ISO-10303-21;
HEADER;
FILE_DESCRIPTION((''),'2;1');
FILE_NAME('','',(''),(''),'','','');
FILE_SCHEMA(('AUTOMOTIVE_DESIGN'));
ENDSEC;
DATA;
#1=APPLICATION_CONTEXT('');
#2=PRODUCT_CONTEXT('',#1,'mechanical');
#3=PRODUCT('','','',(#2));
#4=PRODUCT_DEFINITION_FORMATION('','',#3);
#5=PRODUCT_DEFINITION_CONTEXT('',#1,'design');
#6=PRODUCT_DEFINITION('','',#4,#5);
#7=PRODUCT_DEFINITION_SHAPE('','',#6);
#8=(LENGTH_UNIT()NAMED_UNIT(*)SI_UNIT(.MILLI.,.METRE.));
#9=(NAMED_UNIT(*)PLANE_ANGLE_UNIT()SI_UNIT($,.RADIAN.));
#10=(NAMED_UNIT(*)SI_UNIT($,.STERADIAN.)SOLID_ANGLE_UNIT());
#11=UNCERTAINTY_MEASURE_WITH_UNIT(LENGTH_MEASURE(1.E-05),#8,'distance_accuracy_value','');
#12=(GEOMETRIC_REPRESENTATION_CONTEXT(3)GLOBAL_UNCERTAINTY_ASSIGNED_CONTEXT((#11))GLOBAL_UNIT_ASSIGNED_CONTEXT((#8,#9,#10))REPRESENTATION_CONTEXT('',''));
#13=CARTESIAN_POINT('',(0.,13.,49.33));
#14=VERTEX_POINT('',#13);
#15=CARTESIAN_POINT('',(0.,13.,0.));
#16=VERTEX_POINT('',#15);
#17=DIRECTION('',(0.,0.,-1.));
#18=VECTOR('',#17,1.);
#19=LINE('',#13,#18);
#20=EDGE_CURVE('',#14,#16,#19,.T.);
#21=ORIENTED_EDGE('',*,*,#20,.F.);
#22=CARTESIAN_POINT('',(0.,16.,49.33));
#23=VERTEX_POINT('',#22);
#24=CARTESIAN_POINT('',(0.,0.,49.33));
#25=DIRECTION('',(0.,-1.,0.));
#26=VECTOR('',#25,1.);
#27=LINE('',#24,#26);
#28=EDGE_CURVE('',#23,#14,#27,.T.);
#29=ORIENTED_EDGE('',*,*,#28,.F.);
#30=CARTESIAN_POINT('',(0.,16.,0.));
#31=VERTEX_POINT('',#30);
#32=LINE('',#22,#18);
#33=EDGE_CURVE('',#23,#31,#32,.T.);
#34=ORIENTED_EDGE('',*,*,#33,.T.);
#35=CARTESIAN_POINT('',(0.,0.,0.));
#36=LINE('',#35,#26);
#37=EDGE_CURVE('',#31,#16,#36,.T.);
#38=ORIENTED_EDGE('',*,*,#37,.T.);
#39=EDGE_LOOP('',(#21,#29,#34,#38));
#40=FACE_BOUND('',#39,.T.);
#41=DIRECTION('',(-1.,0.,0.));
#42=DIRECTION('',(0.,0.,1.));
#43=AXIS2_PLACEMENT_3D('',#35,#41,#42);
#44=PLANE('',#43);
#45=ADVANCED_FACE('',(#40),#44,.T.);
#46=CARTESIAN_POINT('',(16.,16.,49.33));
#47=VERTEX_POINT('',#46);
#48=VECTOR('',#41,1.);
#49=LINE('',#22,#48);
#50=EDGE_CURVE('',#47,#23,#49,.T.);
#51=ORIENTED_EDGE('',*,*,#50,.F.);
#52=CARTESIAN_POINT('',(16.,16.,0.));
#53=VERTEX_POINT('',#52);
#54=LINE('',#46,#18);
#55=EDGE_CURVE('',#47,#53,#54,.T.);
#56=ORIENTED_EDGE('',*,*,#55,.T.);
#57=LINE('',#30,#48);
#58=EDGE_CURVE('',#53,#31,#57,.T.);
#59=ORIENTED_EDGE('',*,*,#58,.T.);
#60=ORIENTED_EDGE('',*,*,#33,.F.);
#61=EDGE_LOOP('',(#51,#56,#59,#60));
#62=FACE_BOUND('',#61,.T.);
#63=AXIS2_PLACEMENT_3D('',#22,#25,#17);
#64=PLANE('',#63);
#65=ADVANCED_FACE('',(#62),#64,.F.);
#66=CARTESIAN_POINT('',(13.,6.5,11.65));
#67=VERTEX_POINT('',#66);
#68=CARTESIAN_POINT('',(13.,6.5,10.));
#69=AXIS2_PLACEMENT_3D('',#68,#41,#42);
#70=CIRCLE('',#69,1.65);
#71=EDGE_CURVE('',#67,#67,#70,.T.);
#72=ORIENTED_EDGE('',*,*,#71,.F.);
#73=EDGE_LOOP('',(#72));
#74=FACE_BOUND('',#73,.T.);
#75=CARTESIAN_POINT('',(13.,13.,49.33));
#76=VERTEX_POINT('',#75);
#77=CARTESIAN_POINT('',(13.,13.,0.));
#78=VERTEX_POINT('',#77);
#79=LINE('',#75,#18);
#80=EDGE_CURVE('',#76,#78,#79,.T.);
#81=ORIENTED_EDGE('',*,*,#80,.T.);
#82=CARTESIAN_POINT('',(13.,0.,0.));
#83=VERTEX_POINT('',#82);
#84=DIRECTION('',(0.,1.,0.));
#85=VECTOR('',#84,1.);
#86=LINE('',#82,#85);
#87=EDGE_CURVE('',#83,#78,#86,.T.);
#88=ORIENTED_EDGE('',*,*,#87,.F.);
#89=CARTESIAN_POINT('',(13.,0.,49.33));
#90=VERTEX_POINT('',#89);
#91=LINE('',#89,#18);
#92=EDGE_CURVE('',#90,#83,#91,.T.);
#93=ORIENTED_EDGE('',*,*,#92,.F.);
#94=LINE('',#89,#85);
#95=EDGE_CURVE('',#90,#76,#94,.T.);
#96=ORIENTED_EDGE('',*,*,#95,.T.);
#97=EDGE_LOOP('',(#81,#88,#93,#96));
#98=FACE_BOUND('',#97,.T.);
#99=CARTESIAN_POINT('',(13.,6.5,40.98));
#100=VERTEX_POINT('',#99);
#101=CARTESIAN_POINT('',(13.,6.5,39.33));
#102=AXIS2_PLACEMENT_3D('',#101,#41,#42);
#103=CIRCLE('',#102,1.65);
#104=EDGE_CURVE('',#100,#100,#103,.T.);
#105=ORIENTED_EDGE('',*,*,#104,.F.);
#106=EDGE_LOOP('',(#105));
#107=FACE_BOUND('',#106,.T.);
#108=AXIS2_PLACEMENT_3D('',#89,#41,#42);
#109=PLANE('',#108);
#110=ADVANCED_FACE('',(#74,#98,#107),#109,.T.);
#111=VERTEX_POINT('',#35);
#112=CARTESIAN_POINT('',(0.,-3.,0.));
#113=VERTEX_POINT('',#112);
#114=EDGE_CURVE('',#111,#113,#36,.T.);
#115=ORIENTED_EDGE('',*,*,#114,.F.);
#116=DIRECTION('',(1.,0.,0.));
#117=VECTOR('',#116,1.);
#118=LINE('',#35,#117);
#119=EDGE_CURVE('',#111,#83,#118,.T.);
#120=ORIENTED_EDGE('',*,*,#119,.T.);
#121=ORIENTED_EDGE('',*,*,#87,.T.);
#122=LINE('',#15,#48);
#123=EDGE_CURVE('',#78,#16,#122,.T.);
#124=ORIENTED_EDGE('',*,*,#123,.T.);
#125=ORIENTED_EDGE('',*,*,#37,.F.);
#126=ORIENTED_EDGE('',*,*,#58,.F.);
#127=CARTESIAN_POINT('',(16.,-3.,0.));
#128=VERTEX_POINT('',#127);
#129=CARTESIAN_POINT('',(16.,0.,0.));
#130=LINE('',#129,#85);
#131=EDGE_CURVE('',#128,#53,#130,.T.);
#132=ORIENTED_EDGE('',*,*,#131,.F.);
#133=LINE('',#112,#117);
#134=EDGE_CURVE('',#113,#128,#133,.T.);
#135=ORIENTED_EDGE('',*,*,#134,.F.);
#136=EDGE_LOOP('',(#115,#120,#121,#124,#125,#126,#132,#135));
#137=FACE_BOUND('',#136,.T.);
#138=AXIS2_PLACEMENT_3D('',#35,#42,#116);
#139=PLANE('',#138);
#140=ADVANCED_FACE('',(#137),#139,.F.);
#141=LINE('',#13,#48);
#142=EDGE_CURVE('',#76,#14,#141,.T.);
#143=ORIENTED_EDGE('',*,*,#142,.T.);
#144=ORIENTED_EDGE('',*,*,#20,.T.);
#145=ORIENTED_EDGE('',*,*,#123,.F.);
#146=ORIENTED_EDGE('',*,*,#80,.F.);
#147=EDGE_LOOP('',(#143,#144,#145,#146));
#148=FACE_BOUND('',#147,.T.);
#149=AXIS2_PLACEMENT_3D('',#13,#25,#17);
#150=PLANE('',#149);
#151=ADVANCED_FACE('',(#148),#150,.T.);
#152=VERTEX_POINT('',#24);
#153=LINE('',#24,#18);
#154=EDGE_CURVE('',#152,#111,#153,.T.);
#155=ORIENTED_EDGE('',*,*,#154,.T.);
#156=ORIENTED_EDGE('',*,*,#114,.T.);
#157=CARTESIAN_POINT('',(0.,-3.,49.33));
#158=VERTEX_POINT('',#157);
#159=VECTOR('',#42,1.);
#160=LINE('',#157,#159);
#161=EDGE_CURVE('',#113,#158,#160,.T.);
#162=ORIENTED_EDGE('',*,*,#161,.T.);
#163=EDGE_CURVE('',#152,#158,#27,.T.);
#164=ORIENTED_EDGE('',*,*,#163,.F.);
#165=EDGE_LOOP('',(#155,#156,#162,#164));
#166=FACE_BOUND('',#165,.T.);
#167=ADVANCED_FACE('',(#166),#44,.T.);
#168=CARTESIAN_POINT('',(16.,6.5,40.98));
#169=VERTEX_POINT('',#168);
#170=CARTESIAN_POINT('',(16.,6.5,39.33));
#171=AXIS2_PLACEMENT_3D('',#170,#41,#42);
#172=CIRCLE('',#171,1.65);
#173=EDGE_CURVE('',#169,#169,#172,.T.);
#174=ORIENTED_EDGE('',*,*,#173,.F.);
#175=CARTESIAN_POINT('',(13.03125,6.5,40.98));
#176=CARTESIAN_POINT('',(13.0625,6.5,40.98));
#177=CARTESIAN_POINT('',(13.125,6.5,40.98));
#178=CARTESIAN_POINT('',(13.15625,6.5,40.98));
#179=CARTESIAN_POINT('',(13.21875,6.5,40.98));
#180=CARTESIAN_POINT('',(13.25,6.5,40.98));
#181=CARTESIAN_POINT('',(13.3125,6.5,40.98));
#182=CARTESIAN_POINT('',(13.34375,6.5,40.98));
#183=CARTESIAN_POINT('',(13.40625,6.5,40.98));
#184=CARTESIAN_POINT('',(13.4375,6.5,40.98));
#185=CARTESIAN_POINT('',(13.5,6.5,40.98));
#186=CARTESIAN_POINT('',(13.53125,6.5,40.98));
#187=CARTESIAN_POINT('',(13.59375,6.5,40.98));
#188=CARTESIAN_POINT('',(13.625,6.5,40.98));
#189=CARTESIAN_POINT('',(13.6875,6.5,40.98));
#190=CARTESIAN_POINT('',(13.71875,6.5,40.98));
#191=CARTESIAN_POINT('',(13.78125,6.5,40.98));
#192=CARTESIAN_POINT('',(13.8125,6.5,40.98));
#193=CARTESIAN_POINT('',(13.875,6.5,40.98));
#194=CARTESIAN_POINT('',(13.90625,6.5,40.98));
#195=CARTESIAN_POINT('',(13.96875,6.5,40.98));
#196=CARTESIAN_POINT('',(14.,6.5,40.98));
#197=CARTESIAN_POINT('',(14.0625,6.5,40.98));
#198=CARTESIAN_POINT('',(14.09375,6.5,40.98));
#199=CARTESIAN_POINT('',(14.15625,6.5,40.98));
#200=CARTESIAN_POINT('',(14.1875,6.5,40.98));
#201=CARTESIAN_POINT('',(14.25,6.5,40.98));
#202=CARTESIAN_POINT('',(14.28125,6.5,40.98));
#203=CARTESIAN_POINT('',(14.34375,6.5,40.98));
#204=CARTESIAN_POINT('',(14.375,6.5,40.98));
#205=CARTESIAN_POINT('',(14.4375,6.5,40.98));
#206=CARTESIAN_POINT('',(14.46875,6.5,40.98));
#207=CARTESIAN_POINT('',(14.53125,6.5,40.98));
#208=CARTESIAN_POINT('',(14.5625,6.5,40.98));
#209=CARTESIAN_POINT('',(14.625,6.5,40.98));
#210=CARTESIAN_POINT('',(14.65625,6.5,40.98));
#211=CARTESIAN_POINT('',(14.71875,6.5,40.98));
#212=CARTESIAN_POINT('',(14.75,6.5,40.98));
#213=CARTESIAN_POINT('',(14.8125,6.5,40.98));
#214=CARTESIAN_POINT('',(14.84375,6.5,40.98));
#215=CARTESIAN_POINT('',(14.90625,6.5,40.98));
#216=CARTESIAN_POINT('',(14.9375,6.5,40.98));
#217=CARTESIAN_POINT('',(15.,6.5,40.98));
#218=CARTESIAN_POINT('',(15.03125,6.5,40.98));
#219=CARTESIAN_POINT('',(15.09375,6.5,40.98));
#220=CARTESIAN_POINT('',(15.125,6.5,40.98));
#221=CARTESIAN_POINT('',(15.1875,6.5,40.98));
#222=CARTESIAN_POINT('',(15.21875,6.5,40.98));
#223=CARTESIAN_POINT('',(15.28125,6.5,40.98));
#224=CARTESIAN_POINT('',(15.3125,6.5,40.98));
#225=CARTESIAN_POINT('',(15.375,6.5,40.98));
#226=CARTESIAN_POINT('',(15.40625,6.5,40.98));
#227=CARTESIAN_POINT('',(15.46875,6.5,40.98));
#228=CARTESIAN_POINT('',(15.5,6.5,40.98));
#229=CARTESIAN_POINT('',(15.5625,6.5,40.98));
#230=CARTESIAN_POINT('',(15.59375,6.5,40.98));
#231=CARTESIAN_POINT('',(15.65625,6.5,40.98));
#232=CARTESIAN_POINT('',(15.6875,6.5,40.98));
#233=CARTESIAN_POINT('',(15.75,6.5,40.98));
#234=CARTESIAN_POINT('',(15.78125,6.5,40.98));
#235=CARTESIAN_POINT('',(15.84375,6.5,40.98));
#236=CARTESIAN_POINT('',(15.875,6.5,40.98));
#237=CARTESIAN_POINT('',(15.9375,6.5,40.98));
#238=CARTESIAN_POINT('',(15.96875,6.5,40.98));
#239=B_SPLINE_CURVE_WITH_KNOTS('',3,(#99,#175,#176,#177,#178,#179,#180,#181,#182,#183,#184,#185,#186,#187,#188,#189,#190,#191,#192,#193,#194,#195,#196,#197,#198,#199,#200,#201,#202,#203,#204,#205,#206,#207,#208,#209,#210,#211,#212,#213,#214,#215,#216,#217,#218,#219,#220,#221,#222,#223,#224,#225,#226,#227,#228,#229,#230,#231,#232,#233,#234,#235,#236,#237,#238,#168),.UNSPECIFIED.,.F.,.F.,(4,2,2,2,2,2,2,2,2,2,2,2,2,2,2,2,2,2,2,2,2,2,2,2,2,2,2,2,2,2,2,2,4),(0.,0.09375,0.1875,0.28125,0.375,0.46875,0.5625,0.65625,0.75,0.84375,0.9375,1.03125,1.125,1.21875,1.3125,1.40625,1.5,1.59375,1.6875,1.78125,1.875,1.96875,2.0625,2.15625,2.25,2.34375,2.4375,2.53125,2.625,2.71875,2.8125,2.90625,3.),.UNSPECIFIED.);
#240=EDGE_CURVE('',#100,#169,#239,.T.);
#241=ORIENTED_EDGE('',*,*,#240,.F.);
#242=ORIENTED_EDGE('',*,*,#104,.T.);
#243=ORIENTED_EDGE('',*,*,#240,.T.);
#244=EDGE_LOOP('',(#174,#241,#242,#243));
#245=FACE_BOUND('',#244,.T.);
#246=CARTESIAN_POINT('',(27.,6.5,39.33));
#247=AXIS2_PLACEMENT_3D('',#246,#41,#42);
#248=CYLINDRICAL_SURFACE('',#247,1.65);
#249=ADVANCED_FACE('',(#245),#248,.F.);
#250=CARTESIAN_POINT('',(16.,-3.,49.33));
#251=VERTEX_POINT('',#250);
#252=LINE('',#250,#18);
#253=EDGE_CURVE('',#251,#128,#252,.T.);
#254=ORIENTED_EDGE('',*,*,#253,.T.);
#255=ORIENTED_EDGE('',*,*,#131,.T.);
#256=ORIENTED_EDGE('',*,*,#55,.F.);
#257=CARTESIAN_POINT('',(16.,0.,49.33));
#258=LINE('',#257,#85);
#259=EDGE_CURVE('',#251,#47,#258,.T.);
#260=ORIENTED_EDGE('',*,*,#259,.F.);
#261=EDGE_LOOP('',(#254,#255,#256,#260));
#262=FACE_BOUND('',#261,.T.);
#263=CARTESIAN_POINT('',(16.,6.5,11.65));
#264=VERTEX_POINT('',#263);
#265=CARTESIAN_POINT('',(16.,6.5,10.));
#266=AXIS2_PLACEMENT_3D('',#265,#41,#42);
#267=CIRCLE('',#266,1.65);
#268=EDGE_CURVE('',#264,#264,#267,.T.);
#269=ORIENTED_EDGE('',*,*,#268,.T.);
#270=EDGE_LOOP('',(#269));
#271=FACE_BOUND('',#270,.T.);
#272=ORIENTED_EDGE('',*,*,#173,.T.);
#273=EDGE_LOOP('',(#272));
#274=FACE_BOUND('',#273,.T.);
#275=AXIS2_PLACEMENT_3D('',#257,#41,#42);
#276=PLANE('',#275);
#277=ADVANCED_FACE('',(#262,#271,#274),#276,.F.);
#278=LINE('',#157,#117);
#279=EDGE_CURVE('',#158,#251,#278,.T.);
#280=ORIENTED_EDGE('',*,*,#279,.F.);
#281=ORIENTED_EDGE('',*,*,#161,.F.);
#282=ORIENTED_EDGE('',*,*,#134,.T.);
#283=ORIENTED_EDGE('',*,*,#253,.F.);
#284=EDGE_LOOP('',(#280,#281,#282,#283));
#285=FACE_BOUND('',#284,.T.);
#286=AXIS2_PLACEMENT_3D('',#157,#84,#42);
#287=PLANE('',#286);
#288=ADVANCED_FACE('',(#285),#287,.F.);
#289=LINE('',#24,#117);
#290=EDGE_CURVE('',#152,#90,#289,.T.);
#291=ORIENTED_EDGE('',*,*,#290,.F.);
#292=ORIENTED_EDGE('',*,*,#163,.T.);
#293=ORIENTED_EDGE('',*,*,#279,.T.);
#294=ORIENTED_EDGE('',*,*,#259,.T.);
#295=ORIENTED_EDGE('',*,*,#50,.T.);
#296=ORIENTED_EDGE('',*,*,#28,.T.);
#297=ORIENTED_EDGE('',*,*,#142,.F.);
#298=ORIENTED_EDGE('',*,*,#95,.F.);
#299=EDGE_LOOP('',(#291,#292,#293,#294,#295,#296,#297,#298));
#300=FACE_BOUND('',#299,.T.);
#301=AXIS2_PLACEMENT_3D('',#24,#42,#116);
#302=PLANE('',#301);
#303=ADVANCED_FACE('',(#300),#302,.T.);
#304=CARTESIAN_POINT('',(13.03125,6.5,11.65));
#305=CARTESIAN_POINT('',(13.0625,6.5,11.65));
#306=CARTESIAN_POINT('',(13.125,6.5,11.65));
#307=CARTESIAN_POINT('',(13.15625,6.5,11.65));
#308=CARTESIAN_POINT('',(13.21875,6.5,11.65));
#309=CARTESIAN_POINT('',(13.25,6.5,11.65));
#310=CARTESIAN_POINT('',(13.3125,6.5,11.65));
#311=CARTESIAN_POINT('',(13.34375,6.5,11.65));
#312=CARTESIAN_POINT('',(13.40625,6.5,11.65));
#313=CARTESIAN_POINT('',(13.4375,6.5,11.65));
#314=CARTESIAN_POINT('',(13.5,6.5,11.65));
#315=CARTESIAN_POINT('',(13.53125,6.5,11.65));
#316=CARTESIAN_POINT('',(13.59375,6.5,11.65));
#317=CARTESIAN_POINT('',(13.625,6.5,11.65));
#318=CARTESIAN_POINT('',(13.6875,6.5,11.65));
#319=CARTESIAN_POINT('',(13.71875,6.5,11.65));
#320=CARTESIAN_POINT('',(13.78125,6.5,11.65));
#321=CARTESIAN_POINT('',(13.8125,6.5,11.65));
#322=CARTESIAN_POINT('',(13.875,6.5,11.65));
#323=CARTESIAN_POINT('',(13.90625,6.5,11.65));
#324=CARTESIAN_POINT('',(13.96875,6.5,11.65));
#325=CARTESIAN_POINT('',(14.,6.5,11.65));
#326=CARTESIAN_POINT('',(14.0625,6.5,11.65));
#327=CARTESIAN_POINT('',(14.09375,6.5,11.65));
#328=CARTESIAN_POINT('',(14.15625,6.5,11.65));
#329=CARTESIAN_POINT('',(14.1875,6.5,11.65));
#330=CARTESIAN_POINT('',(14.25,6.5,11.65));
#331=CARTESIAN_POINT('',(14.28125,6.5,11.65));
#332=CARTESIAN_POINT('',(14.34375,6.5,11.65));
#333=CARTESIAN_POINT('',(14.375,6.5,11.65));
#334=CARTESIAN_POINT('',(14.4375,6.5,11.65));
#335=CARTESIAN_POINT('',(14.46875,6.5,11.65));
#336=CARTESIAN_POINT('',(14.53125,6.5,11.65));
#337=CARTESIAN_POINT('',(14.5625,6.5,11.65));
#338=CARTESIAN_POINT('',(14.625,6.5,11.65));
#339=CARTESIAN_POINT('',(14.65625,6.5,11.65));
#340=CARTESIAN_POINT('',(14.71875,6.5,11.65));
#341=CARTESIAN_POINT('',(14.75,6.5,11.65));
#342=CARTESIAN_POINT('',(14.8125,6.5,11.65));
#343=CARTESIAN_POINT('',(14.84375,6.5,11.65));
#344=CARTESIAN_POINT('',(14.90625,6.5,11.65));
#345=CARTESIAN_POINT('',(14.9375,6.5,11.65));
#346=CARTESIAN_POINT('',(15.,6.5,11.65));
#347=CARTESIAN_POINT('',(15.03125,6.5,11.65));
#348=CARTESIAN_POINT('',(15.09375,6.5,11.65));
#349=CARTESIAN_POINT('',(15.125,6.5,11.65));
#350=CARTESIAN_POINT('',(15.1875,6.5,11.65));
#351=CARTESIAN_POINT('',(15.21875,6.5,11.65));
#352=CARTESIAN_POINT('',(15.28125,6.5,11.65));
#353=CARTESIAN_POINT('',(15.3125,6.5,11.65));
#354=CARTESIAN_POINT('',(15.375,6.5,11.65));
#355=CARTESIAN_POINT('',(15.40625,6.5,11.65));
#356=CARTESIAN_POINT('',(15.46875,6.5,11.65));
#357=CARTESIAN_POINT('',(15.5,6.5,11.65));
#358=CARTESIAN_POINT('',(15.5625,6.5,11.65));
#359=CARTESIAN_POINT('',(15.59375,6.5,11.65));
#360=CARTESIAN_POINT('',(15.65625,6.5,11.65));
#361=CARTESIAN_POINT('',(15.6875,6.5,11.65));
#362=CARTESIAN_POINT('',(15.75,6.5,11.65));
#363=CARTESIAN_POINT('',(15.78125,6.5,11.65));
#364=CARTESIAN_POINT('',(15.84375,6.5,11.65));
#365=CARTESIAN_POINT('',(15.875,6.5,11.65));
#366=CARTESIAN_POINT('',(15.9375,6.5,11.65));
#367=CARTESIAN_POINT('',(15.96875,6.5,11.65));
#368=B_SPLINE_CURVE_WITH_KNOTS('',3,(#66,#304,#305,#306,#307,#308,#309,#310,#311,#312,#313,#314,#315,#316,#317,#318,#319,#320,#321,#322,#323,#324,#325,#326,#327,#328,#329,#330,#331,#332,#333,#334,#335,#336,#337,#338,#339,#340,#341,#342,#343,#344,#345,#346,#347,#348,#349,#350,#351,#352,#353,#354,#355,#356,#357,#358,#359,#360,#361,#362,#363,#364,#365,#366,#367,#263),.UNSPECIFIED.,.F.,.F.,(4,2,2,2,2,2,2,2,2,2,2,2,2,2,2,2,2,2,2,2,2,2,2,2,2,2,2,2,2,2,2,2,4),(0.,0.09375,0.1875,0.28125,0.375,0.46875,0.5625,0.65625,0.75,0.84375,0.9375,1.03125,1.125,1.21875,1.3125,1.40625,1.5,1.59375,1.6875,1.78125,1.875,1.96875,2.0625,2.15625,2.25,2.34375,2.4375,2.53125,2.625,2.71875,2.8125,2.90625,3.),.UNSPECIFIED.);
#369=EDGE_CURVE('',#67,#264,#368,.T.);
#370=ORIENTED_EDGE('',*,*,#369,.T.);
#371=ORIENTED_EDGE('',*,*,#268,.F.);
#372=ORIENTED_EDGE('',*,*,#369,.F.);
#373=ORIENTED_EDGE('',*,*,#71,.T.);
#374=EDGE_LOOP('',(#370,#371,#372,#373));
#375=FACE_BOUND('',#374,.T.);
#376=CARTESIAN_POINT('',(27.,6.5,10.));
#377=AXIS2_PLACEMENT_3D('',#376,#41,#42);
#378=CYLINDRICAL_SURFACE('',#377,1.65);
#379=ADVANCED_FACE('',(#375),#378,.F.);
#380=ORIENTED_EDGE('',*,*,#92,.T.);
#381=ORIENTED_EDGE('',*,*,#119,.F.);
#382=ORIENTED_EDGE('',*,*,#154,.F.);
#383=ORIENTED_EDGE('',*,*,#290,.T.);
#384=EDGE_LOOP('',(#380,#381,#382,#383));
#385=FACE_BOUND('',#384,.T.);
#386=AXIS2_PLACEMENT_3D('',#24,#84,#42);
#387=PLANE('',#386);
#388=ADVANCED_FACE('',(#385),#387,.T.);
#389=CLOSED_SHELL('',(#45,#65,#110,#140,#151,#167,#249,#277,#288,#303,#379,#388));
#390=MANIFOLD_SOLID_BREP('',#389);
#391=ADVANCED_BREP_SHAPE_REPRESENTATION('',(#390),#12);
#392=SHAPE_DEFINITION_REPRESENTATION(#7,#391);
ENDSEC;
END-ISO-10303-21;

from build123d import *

# Parameters (mm, degrees)
SKETCH_1_W          = 19
SKETCH_1_H          = 19
SKETCH_1_W_2        = 13
SKETCH_1_H_2        = 13
EXTRUDE_1_DEPTH     = 49.33
SKETCH_2_R          = 1.65
CUT_EXTRUDE_1_DEPTH = 30
SKETCH_3_W          = 116.915177823
SKETCH_3_H          = 46.219516436
CUT_EXTRUDE_2_DEPTH = 3


with BuildPart() as part:
    # 草图1 → Extrude 1 (new body)
    with BuildSketch(Plane.XY):
        with Locations((6.5, 6.5)):
            Rectangle(SKETCH_1_W, SKETCH_1_H)
        with Locations((6.5, 6.5)):
            Rectangle(SKETCH_1_W_2, SKETCH_1_H_2, mode=Mode.SUBTRACT)
    extrude(amount=EXTRUDE_1_DEPTH)

    # 草图2 → 切除-拉伸1 (cut)
    with BuildSketch(Plane.ZY.offset(3)):
        with Locations((10, 6.5)):
            Circle(SKETCH_2_R)
        with Locations((39.33, 6.5)):
            Circle(SKETCH_2_R)
    extrude(amount=-CUT_EXTRUDE_1_DEPTH, mode=Mode.SUBTRACT)

    # 草图3 → 切除-拉伸2 (cut)
    with BuildSketch(Plane.ZY.offset(3)):
        with Locations((53.162237228, 0.202739406)):
            Rectangle(SKETCH_3_W, SKETCH_3_H)
    extrude(amount=-CUT_EXTRUDE_2_DEPTH, mode=Mode.SUBTRACT)


solid = part.part
